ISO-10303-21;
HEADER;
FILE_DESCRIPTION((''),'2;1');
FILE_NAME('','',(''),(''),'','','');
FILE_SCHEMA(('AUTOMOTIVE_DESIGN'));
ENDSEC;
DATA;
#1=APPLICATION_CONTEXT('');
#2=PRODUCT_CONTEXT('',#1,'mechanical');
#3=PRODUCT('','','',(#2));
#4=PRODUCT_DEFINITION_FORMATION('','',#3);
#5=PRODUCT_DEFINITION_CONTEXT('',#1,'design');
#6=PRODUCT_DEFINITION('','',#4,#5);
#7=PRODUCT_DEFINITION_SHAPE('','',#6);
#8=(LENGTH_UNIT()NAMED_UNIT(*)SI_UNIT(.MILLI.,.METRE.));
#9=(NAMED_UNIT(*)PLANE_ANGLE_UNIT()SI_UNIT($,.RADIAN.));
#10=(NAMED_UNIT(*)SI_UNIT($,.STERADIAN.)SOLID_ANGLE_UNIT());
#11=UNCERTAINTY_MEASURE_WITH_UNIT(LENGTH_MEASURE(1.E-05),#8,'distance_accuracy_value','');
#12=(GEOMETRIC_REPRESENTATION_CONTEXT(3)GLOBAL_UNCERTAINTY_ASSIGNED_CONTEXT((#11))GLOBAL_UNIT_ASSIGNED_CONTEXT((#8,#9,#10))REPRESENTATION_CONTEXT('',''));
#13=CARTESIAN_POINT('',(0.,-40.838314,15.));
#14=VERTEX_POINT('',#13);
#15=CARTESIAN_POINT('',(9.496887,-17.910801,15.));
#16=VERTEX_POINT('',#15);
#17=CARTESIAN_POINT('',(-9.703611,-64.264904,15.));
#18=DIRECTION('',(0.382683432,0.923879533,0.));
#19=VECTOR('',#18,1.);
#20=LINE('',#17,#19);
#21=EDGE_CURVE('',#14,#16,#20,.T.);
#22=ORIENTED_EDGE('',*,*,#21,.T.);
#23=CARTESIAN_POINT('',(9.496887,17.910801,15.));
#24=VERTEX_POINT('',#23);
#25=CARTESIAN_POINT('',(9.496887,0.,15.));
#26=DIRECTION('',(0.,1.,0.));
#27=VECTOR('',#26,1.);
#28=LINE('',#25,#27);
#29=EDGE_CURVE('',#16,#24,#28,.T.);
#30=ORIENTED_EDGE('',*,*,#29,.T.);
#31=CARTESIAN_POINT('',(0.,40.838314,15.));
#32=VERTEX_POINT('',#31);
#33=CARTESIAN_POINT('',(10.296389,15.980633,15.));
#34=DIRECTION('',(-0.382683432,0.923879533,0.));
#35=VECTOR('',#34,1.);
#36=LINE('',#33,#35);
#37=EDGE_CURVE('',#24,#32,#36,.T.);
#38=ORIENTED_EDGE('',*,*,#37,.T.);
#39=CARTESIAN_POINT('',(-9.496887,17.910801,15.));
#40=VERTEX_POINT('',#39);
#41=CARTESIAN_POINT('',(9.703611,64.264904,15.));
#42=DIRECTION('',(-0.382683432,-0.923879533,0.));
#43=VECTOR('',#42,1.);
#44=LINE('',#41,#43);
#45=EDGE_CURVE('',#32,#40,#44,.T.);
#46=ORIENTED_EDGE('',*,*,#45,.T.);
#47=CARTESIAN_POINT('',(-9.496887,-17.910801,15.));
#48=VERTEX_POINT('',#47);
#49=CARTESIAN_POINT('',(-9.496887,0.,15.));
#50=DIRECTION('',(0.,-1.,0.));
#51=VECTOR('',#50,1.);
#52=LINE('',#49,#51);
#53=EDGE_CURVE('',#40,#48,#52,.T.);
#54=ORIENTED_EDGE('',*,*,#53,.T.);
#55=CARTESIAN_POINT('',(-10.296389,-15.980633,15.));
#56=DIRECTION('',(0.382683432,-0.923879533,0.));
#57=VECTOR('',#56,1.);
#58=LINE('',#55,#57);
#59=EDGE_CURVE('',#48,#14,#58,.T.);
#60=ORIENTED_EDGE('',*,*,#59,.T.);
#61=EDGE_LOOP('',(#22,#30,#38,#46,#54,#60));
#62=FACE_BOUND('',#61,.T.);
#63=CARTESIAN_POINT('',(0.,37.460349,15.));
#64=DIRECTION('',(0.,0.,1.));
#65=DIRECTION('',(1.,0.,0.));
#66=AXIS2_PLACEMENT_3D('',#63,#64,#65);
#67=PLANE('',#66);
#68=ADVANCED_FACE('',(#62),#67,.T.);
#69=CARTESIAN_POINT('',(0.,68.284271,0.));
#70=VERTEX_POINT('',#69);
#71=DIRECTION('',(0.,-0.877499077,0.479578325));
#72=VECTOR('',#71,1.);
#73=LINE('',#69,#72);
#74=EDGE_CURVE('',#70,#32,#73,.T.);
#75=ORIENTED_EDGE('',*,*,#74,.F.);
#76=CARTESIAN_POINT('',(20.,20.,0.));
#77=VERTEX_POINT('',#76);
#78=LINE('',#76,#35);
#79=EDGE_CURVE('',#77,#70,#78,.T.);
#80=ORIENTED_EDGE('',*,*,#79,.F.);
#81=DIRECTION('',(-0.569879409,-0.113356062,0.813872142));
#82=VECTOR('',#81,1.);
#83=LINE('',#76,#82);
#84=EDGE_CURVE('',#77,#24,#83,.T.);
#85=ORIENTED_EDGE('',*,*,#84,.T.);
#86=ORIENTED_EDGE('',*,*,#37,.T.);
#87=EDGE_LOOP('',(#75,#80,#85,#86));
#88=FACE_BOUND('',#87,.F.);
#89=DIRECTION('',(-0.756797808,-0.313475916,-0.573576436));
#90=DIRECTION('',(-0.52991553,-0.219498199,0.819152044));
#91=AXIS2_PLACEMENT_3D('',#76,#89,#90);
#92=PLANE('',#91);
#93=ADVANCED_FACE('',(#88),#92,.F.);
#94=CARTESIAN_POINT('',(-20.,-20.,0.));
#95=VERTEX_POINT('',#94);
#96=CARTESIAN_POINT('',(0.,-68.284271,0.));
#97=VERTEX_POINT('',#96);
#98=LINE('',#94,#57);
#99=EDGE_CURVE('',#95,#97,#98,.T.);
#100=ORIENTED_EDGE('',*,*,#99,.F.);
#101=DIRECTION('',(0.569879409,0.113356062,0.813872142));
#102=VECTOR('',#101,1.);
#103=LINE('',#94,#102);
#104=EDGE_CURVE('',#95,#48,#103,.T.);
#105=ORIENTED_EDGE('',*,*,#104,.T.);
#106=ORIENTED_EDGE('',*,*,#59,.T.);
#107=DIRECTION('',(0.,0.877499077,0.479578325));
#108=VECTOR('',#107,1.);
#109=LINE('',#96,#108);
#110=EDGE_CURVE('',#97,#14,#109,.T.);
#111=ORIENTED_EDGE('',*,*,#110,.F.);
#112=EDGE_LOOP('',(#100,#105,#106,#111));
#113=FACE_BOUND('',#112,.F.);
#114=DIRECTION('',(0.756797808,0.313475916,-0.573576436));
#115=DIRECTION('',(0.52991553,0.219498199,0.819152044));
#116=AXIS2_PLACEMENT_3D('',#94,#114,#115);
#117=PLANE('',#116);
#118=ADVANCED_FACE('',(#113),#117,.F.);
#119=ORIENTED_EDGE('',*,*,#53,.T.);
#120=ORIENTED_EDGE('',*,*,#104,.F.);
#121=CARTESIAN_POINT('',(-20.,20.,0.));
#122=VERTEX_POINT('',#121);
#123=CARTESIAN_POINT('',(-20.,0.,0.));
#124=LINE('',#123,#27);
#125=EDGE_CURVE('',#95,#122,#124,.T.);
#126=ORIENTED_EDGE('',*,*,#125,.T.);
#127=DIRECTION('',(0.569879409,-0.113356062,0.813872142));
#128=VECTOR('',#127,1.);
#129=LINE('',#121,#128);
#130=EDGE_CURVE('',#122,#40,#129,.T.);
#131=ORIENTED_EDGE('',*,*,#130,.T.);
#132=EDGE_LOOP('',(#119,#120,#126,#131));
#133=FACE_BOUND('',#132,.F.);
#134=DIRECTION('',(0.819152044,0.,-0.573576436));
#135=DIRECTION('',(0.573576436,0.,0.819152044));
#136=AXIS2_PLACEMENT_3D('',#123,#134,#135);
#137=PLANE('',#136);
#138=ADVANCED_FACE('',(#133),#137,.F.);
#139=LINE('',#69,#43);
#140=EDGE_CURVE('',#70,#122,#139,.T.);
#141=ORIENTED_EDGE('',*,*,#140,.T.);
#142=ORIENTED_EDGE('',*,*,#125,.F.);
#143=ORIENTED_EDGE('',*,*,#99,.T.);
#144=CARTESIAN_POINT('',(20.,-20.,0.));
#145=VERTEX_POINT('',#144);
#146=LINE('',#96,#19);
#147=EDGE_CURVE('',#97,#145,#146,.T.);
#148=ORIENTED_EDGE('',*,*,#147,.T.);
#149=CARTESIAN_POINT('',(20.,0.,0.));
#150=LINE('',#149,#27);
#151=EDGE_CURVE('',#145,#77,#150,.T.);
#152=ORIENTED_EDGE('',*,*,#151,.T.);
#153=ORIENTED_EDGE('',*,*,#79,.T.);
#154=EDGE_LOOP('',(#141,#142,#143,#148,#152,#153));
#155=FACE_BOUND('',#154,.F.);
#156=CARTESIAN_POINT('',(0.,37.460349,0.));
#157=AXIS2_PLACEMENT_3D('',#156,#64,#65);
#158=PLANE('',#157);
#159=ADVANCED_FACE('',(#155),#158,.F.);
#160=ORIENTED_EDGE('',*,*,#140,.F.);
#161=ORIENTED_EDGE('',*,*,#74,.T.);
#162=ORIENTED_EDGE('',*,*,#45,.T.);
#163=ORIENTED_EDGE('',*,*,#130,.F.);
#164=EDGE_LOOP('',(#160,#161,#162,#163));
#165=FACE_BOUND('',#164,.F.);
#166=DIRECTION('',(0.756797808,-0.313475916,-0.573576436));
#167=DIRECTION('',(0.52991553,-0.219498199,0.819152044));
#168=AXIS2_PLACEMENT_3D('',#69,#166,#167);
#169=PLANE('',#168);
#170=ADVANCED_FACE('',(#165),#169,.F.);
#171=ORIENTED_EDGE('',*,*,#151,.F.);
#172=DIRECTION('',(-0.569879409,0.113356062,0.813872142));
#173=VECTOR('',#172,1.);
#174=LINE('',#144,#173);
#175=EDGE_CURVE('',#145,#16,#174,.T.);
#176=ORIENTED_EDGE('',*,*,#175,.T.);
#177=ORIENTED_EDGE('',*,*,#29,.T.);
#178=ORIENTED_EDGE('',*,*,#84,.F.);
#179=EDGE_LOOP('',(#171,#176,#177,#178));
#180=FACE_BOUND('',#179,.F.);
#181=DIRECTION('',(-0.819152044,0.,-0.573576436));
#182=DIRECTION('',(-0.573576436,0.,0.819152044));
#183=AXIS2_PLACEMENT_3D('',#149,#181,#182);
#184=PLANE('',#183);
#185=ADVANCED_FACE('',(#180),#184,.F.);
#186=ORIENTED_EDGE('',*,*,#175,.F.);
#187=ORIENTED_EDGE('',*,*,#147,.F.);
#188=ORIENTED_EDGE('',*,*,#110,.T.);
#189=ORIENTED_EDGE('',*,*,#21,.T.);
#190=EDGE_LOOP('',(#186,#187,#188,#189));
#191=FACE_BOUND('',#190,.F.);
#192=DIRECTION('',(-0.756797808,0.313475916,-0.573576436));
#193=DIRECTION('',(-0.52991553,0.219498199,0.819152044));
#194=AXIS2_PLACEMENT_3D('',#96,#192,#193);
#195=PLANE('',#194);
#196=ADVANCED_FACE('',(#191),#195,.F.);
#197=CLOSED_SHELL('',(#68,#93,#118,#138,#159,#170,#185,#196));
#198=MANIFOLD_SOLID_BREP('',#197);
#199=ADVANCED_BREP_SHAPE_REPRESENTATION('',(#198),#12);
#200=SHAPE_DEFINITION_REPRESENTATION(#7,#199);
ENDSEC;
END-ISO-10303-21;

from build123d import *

# Parameters (mm, degrees)
F0_W     = 40
F0_H     = 40
F1_DEPTH = 15
F1_TAPER = 35


with BuildPart() as f1:
    # F0 (on Top) → F1 (new body)
    with BuildSketch(Plane.XY):
        Polygon((0, 68.2842712475), (-20, 20), (20, 20), align=None)
        Rectangle(F0_W, F0_H)
        Polygon((20, -20), (-20, -20), (0, -68.2842712475), align=None)
    extrude(amount=F1_DEPTH, taper=F1_TAPER)


solid = f1.part
